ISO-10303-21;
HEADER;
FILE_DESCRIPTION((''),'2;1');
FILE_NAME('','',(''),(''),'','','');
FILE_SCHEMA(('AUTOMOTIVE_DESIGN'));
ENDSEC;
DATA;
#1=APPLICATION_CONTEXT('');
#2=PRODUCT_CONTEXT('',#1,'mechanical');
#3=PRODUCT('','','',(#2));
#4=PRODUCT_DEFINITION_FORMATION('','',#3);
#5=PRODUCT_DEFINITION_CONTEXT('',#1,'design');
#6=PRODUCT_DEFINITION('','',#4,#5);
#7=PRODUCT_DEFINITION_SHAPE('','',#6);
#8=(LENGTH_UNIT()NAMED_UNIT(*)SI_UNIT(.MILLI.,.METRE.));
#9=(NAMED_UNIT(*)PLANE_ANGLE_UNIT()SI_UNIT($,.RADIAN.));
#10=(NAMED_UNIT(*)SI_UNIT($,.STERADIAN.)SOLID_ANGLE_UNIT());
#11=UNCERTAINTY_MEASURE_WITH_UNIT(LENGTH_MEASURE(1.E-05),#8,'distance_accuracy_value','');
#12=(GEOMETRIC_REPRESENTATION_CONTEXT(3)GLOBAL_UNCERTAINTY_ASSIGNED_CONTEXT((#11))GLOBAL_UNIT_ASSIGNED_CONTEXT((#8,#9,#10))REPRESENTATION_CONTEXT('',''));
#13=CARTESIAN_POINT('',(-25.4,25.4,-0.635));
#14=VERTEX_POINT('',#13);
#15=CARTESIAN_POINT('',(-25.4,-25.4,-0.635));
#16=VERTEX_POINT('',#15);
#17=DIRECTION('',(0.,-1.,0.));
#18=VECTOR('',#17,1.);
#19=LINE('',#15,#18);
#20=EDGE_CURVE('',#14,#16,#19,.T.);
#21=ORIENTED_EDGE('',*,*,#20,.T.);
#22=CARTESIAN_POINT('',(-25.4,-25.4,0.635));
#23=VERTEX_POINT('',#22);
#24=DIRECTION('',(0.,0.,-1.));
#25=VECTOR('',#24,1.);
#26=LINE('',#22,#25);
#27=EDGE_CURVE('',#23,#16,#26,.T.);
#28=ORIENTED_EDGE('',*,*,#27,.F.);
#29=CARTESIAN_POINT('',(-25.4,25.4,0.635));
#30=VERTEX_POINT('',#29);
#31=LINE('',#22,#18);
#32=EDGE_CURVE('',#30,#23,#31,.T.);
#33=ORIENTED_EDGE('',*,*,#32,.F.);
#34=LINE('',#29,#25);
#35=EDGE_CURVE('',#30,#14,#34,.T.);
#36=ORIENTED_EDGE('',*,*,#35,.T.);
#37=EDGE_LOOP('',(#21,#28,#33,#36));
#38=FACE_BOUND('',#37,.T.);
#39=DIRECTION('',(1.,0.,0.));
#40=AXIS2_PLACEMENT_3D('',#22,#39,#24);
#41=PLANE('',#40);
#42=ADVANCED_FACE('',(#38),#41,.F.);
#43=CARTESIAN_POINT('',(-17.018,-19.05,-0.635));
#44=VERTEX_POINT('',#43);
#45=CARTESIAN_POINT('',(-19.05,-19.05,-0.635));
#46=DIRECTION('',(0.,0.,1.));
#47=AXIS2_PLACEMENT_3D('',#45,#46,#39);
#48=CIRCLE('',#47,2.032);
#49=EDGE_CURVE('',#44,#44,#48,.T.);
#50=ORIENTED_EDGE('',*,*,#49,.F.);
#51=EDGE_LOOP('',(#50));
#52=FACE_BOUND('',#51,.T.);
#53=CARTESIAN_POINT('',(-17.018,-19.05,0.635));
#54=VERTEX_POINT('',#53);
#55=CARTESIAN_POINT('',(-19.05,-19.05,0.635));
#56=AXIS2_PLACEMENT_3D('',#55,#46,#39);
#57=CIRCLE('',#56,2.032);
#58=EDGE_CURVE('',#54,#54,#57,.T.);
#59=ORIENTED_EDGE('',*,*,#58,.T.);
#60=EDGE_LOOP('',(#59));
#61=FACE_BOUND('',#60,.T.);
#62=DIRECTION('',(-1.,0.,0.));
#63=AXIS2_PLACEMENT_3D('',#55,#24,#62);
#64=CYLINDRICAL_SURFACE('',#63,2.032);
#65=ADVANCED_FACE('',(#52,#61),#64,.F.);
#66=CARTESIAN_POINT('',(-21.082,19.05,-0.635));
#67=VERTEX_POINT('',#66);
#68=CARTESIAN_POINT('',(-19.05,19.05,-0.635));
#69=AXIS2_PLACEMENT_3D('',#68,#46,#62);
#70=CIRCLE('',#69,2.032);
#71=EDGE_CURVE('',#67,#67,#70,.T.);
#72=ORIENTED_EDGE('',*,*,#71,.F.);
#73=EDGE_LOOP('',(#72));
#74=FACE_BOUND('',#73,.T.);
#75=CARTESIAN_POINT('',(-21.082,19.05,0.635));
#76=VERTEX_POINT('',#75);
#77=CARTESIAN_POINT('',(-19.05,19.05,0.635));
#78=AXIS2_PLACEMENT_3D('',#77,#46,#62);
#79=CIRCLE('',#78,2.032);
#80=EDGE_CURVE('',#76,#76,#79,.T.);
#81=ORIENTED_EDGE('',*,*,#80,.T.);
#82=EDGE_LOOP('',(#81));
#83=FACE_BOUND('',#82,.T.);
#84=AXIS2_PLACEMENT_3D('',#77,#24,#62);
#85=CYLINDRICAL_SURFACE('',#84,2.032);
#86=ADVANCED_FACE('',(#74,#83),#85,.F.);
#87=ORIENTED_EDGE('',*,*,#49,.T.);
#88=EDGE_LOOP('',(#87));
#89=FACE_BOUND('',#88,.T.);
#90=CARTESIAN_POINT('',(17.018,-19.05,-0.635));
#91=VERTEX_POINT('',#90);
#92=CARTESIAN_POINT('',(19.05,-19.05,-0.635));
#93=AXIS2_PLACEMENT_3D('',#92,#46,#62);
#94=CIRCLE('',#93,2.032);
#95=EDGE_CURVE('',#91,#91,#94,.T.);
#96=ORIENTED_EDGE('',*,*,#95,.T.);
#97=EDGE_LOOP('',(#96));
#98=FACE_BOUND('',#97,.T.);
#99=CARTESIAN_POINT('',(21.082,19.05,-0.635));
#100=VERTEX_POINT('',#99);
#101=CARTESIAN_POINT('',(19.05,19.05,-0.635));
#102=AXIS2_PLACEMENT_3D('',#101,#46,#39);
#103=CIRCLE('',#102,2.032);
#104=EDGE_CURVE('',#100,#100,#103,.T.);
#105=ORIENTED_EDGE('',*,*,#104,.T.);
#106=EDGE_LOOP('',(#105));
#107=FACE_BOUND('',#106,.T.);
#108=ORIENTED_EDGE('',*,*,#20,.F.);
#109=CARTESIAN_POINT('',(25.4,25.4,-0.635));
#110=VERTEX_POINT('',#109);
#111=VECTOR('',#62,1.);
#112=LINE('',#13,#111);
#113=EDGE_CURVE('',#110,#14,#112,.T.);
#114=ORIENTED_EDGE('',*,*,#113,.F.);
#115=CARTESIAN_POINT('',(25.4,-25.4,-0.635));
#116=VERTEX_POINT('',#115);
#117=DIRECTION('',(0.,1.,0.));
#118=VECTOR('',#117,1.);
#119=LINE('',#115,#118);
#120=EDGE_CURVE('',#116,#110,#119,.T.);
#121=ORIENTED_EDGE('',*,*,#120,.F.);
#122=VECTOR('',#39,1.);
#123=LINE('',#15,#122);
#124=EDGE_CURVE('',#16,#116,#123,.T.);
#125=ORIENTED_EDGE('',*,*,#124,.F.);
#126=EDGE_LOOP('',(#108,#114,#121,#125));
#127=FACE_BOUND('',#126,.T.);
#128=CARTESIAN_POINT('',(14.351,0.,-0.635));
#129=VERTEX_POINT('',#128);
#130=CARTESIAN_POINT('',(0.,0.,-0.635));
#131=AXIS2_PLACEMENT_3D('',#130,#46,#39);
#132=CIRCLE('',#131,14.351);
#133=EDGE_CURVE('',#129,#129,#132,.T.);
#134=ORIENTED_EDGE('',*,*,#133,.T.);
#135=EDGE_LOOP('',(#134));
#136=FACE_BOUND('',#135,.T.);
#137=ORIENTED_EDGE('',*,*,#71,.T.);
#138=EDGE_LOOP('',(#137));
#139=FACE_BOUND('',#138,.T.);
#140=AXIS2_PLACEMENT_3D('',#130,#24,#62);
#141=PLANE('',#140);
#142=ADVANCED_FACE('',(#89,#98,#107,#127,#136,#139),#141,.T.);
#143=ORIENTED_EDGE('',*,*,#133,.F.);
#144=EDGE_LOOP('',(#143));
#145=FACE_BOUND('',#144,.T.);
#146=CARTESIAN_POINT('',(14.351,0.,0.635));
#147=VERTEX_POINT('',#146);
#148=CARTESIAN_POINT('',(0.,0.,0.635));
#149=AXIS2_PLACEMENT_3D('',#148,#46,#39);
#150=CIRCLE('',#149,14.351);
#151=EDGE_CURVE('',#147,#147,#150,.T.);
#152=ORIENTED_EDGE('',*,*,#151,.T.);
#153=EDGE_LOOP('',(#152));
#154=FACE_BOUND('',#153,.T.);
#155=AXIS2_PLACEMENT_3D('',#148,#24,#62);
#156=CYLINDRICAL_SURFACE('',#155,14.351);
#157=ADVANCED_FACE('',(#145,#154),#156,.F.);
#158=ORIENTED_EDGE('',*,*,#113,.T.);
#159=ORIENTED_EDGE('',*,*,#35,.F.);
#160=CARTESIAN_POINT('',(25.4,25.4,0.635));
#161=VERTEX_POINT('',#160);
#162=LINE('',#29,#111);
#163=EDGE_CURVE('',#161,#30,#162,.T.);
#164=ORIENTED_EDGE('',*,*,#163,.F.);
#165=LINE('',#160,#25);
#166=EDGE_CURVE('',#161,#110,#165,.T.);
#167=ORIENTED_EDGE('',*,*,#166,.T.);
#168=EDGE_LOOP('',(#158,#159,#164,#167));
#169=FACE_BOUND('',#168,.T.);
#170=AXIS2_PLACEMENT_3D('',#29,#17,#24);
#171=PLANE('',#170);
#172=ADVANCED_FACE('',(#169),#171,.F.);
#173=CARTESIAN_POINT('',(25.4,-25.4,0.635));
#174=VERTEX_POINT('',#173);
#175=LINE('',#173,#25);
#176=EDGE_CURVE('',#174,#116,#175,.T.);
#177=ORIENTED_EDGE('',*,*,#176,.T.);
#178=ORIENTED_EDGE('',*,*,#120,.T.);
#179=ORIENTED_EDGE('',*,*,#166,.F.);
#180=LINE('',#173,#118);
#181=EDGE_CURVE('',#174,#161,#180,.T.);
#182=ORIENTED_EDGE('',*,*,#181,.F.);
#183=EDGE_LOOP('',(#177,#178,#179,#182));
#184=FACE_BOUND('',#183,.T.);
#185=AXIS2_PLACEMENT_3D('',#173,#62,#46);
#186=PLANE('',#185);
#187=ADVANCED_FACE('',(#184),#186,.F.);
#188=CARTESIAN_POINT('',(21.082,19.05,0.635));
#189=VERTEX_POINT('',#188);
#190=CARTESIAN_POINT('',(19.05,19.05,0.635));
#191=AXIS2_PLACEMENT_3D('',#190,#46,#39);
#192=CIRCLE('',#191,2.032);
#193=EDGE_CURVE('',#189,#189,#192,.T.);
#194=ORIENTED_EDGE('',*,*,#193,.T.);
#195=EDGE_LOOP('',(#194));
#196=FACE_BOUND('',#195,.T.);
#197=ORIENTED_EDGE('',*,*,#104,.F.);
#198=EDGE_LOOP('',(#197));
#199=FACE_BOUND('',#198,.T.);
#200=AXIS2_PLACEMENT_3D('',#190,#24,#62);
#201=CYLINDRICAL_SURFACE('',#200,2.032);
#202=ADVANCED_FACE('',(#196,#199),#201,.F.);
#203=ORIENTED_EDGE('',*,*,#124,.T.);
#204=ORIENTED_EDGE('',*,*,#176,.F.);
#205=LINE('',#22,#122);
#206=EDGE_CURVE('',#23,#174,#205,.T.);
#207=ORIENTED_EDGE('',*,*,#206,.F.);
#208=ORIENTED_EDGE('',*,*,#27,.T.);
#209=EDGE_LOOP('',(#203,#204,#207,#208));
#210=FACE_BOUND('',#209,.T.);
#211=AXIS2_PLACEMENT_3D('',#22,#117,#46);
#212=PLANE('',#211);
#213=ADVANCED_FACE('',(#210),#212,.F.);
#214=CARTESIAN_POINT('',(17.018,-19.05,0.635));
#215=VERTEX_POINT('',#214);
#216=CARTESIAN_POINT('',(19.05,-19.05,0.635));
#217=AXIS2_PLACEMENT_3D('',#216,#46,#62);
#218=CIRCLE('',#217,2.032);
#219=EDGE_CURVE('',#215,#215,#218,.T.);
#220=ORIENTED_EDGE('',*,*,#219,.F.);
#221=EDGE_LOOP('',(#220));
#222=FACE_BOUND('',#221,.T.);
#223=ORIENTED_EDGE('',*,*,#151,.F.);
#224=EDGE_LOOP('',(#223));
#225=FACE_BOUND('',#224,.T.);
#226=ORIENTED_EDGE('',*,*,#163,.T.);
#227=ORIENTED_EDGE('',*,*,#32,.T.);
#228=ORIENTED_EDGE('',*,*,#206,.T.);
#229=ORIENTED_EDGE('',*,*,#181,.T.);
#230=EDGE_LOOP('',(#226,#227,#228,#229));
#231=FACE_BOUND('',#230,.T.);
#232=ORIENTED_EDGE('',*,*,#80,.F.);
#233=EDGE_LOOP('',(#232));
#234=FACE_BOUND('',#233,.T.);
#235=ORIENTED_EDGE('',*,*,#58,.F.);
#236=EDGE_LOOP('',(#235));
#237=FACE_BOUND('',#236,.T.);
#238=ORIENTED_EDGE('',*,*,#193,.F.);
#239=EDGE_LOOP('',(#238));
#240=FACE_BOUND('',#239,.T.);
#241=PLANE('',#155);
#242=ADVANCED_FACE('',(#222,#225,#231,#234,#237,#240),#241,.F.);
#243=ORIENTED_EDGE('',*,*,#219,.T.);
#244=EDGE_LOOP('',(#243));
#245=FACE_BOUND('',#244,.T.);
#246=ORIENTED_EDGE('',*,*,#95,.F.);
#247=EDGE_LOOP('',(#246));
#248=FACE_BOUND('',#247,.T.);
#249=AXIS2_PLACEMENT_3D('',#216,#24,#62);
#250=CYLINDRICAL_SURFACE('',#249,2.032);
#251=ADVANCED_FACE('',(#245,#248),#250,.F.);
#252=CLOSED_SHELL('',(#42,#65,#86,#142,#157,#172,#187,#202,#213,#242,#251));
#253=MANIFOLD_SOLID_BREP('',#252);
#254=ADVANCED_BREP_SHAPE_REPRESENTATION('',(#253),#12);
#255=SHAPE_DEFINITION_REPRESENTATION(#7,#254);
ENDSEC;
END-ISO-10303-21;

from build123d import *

# Parameters (mm, degrees)
SKETCH1_W           = 50.8
SKETCH1_H           = 50.8
SKETCH1_R           = 14.351
SKETCH1_R_2         = 2.032
BOSS_EXTRUDE1_DEPTH = 0.635


with BuildPart() as part:
    # Sketch1 → Boss-Extrude1 (new, symmetric)
    with BuildSketch(Plane.XY):
        Rectangle(SKETCH1_W, SKETCH1_H)
        Circle(SKETCH1_R, mode=Mode.SUBTRACT)
        with Locations((19.05, 19.05)):
            Circle(SKETCH1_R_2, mode=Mode.SUBTRACT)
        with Locations(Location((-19.05, 19.05, 0), (0, 0, 180))):
            Circle(SKETCH1_R_2, mode=Mode.SUBTRACT)
        with Locations(Location((19.05, -19.05, 0), (0, 0, 180))):
            Circle(SKETCH1_R_2, mode=Mode.SUBTRACT)
        with Locations((-19.05, -19.05)):
            Circle(SKETCH1_R_2, mode=Mode.SUBTRACT)
    extrude(amount=BOSS_EXTRUDE1_DEPTH, both=True)


solid = part.part
